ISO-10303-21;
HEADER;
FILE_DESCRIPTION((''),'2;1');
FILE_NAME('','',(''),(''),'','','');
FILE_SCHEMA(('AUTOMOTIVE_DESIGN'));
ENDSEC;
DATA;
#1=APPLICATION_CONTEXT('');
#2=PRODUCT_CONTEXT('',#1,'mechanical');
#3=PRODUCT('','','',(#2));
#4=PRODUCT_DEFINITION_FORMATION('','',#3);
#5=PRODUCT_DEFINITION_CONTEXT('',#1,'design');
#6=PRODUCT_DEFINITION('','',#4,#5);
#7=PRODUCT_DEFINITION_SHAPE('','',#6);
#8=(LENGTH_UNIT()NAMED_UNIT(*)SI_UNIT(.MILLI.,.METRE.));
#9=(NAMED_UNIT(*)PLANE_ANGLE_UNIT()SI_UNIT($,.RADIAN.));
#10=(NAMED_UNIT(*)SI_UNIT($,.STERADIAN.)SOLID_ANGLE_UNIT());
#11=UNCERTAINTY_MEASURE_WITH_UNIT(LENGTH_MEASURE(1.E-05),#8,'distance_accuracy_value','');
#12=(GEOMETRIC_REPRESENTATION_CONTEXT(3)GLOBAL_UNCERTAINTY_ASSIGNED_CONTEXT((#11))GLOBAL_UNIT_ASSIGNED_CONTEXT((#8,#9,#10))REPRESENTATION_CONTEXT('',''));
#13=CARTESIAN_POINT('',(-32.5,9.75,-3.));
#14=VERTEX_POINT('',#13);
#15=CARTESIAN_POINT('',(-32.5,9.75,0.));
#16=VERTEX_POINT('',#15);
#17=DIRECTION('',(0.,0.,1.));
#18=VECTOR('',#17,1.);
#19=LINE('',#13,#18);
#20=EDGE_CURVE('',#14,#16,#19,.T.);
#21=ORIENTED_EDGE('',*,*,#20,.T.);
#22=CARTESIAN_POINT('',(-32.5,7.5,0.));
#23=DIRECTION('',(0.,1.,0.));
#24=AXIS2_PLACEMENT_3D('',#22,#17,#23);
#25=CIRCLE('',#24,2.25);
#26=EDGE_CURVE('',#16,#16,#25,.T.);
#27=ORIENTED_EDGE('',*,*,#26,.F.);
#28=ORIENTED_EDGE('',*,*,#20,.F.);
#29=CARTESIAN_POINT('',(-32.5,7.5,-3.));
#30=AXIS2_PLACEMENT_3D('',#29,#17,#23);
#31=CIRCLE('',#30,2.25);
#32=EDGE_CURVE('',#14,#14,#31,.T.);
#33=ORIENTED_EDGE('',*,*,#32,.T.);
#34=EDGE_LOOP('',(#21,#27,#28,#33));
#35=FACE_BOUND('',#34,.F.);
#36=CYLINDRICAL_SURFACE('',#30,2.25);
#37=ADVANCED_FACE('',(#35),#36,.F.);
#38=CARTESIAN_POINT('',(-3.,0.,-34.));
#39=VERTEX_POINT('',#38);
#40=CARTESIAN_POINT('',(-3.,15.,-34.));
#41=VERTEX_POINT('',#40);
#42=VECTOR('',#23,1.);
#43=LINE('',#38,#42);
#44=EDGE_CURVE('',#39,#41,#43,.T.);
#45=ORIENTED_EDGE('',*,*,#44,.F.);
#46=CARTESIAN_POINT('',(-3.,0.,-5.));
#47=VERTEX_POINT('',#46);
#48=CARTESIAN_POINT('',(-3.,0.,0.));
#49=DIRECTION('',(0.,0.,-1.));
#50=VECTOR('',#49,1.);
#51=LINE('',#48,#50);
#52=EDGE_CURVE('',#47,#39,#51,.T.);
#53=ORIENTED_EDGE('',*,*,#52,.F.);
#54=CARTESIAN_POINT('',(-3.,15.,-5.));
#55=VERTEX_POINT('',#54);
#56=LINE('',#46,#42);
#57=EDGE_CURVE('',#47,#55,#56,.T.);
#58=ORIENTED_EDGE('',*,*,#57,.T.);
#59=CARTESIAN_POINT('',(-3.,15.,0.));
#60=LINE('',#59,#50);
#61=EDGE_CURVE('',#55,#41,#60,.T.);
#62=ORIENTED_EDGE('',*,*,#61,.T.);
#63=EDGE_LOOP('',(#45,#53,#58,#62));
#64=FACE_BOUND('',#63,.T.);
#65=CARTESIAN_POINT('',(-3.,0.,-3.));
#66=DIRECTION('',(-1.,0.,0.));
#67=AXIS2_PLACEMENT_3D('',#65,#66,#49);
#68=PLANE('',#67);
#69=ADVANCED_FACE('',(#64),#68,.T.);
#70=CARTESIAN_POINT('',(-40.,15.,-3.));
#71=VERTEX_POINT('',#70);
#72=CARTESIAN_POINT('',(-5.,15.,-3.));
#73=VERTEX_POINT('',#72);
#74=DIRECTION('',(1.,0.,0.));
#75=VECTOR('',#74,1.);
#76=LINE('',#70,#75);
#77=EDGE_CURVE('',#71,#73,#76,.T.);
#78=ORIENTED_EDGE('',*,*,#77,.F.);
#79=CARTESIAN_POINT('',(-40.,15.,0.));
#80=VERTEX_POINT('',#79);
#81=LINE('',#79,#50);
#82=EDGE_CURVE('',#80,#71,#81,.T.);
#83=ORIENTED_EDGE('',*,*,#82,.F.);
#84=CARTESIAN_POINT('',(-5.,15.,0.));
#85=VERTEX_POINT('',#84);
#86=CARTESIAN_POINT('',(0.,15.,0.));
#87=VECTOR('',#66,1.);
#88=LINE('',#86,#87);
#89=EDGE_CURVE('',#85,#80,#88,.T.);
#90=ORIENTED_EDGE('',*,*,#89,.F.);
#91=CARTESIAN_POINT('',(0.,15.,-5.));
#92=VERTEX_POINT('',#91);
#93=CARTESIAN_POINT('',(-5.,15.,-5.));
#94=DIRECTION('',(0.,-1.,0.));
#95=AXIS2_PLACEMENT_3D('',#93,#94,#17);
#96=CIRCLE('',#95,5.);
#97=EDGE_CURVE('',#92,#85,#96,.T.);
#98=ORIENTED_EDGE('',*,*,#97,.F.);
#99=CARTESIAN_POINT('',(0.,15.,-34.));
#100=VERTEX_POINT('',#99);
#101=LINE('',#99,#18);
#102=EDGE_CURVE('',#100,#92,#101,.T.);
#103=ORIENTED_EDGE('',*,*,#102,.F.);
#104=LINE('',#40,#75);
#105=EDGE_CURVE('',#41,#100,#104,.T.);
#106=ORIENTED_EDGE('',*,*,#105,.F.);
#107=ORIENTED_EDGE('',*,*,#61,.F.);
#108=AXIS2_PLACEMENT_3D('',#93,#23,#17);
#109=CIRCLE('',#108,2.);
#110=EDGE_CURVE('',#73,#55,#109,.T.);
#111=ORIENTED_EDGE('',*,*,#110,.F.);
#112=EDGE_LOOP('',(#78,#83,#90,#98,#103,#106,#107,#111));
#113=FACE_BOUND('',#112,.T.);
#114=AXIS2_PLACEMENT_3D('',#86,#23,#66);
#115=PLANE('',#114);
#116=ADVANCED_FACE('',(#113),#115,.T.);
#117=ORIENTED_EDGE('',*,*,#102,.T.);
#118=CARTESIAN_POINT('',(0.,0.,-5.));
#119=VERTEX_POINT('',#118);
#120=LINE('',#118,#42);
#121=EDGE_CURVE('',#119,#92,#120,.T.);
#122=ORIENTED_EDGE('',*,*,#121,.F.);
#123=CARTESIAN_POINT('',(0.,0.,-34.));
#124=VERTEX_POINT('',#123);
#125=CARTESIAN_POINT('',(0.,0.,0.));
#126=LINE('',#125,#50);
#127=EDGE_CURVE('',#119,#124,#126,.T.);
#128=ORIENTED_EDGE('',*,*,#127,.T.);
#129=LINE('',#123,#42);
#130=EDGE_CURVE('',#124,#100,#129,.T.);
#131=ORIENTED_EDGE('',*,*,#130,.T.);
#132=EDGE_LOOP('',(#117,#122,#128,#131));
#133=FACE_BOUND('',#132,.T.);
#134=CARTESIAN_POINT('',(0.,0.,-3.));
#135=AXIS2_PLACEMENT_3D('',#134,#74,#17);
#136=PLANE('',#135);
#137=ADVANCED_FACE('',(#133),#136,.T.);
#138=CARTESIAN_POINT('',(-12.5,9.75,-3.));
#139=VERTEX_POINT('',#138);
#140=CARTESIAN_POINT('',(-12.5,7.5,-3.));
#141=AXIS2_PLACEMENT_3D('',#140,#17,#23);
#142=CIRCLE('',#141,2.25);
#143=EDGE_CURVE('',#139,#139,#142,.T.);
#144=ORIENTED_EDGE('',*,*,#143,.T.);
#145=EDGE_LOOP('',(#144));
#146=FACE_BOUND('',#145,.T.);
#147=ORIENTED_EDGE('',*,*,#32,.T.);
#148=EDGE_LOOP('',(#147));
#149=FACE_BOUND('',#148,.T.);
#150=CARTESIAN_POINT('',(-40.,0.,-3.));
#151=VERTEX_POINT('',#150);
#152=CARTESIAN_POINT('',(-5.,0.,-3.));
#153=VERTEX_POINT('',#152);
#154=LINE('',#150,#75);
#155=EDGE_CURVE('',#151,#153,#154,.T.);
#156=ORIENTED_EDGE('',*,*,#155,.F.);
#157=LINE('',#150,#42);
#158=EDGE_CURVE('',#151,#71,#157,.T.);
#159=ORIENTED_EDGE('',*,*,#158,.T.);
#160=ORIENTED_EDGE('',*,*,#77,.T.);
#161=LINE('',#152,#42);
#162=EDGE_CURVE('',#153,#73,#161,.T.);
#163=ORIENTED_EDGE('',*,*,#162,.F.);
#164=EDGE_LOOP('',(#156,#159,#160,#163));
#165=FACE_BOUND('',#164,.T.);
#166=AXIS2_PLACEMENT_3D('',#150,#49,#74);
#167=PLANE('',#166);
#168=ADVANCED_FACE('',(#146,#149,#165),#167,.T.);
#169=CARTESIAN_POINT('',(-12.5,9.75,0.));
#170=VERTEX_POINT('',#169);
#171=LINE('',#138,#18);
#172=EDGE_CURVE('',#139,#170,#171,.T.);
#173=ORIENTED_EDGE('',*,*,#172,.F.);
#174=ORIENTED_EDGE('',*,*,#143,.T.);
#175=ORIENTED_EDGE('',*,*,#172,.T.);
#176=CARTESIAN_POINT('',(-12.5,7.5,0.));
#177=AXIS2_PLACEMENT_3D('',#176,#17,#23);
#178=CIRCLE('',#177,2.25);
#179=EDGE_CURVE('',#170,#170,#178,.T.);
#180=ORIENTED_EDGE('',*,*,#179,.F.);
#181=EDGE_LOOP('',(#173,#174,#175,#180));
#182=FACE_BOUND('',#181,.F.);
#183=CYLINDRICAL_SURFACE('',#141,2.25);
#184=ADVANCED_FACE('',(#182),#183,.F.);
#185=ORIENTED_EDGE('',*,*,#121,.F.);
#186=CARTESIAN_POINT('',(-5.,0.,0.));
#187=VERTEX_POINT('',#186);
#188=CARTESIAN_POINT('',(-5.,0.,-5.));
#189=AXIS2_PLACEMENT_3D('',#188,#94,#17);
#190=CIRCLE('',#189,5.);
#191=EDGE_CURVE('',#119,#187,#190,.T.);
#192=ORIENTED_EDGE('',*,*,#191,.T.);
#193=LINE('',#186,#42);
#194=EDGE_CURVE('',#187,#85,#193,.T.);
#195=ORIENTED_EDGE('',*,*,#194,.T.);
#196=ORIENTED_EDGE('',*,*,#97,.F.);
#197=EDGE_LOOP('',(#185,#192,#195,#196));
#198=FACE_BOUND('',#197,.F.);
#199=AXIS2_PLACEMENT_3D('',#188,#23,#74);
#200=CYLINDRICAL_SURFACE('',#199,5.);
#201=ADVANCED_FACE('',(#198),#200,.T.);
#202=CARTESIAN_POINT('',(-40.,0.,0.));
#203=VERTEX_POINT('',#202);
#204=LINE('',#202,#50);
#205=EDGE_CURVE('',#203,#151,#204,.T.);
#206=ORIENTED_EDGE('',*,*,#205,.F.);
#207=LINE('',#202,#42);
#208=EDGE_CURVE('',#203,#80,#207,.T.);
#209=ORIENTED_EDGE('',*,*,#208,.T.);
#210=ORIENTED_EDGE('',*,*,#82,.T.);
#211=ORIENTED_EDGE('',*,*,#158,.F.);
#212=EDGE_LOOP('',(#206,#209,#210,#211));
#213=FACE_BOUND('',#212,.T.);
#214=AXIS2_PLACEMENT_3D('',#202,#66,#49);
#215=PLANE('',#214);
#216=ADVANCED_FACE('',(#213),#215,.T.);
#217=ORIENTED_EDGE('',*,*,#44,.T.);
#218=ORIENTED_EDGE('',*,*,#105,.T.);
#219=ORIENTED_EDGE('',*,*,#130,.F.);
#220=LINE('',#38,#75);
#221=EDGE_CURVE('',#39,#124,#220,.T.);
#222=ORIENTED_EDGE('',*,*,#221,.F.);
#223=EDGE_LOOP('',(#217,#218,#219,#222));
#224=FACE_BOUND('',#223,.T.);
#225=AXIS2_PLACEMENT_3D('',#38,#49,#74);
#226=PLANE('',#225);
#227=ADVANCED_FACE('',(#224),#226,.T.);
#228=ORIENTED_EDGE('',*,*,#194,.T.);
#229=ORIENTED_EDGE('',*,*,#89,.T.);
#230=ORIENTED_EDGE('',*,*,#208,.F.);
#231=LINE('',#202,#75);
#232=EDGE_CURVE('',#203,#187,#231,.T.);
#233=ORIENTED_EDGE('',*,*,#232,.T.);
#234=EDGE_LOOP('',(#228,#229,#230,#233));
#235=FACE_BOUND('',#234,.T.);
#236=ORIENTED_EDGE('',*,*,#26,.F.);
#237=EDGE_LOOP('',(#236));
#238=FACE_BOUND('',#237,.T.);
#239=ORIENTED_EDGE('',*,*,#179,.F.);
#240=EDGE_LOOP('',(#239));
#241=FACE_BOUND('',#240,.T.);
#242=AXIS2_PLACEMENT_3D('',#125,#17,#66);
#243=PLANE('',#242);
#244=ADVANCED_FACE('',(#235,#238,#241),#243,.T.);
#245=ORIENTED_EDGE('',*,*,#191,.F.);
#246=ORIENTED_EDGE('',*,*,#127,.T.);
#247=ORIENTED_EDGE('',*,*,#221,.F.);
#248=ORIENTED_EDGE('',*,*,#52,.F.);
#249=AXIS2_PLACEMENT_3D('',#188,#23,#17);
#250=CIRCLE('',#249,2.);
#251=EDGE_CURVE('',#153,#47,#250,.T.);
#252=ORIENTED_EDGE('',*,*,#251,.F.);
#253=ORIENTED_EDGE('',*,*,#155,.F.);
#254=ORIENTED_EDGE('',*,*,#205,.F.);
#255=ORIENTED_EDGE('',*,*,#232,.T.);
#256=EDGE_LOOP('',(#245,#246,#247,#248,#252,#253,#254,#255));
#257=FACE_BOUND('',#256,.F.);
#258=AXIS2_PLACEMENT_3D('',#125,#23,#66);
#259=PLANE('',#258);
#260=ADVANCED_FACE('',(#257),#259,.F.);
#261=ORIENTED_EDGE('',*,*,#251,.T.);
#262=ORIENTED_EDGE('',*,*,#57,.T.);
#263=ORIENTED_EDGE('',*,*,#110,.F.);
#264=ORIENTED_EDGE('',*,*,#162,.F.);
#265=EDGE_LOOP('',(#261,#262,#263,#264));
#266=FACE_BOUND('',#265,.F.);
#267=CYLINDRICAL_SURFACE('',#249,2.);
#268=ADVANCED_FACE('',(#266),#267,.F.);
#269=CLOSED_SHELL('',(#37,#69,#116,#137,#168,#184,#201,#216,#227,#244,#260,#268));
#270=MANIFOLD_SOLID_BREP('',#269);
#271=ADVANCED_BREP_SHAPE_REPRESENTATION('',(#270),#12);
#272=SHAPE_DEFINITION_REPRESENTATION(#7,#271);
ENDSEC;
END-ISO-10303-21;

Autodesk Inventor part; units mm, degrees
ref_plane "YZ Plane" through (0, 0, 0) normal (1, 0, 0) x (0, 1, 0)
ref_plane "XZ Plane" through (0, 0, 0) normal (0, 1, 0) x (-1, 0, 0)
ref_plane "XY Plane" through (0, 0, 0) normal (0, 0, 1) x (1, 0, 0)
sketch "Sketch1" plane through (0, 0, 0) normal (0, 1, 0) x (-1, 0, 0)
  line L0 (0, 0) -> (40, 0)
  line L1 (40, 0) -> (40, -3)
  line L2 (40, -3) -> (0, -3)
  line L3 (0, -3) -> (0, 0)
  line L4 (0, 0) -> (3, 0)
  line L5 (3, 0) -> (3, -34)
  line L6 (3, -34) -> (0, -34)
  line L7 (0, -34) -> (0, 0)
  dimension "d0" = 3
  dimension "d1" = 3
  dimension "d2" = 40
  dimension "d3" = 34
extrude "Extrusion1" add sketch "Sketch1" along normal blind 15
fillet "Fillet1" radius 2 1 edges at (-3, 7.5, -3)
fillet "Fillet2" radius 5 1 edges at (0, 7.5, 0)
sketch "Sketch3" plane through (-40, 0, -3) normal (0, 0, -1) x (-1, 0, 0)
  line L0 (-35, 15) -> (0, 15) projected
  line L1 (-35, 0) -> (0, 0) projected
  line L2 (0, 0) -> (0, 15) projected
  line L3 (-40, 0) -> (-40, 15) projected
  line L4 (-40, 0) -> (-40, 15) projected
  point P0 (-7.5, 7.5)
  point P1 (-27.5, 7.5)
  dimension "d20" = 7.5
  dimension "d29" = 7.5
  dimension "d33" = 12.5
hole "Hole2" at (-32.5, 7.5, -3) at (-12.5, 7.5, -3) direction (0, 0, 1) diameter 4.5 end through all clearance for "Socket Head Cap Screw" size "M4" standard "Ansi Metric M Profile"
equation "\"d1\" = d0"
equation "\"d20\" = d19"
equation "\"d19\" = 7.5"
properties part number "Pancake_Floor Bracket" material "Aluminum 6061"
